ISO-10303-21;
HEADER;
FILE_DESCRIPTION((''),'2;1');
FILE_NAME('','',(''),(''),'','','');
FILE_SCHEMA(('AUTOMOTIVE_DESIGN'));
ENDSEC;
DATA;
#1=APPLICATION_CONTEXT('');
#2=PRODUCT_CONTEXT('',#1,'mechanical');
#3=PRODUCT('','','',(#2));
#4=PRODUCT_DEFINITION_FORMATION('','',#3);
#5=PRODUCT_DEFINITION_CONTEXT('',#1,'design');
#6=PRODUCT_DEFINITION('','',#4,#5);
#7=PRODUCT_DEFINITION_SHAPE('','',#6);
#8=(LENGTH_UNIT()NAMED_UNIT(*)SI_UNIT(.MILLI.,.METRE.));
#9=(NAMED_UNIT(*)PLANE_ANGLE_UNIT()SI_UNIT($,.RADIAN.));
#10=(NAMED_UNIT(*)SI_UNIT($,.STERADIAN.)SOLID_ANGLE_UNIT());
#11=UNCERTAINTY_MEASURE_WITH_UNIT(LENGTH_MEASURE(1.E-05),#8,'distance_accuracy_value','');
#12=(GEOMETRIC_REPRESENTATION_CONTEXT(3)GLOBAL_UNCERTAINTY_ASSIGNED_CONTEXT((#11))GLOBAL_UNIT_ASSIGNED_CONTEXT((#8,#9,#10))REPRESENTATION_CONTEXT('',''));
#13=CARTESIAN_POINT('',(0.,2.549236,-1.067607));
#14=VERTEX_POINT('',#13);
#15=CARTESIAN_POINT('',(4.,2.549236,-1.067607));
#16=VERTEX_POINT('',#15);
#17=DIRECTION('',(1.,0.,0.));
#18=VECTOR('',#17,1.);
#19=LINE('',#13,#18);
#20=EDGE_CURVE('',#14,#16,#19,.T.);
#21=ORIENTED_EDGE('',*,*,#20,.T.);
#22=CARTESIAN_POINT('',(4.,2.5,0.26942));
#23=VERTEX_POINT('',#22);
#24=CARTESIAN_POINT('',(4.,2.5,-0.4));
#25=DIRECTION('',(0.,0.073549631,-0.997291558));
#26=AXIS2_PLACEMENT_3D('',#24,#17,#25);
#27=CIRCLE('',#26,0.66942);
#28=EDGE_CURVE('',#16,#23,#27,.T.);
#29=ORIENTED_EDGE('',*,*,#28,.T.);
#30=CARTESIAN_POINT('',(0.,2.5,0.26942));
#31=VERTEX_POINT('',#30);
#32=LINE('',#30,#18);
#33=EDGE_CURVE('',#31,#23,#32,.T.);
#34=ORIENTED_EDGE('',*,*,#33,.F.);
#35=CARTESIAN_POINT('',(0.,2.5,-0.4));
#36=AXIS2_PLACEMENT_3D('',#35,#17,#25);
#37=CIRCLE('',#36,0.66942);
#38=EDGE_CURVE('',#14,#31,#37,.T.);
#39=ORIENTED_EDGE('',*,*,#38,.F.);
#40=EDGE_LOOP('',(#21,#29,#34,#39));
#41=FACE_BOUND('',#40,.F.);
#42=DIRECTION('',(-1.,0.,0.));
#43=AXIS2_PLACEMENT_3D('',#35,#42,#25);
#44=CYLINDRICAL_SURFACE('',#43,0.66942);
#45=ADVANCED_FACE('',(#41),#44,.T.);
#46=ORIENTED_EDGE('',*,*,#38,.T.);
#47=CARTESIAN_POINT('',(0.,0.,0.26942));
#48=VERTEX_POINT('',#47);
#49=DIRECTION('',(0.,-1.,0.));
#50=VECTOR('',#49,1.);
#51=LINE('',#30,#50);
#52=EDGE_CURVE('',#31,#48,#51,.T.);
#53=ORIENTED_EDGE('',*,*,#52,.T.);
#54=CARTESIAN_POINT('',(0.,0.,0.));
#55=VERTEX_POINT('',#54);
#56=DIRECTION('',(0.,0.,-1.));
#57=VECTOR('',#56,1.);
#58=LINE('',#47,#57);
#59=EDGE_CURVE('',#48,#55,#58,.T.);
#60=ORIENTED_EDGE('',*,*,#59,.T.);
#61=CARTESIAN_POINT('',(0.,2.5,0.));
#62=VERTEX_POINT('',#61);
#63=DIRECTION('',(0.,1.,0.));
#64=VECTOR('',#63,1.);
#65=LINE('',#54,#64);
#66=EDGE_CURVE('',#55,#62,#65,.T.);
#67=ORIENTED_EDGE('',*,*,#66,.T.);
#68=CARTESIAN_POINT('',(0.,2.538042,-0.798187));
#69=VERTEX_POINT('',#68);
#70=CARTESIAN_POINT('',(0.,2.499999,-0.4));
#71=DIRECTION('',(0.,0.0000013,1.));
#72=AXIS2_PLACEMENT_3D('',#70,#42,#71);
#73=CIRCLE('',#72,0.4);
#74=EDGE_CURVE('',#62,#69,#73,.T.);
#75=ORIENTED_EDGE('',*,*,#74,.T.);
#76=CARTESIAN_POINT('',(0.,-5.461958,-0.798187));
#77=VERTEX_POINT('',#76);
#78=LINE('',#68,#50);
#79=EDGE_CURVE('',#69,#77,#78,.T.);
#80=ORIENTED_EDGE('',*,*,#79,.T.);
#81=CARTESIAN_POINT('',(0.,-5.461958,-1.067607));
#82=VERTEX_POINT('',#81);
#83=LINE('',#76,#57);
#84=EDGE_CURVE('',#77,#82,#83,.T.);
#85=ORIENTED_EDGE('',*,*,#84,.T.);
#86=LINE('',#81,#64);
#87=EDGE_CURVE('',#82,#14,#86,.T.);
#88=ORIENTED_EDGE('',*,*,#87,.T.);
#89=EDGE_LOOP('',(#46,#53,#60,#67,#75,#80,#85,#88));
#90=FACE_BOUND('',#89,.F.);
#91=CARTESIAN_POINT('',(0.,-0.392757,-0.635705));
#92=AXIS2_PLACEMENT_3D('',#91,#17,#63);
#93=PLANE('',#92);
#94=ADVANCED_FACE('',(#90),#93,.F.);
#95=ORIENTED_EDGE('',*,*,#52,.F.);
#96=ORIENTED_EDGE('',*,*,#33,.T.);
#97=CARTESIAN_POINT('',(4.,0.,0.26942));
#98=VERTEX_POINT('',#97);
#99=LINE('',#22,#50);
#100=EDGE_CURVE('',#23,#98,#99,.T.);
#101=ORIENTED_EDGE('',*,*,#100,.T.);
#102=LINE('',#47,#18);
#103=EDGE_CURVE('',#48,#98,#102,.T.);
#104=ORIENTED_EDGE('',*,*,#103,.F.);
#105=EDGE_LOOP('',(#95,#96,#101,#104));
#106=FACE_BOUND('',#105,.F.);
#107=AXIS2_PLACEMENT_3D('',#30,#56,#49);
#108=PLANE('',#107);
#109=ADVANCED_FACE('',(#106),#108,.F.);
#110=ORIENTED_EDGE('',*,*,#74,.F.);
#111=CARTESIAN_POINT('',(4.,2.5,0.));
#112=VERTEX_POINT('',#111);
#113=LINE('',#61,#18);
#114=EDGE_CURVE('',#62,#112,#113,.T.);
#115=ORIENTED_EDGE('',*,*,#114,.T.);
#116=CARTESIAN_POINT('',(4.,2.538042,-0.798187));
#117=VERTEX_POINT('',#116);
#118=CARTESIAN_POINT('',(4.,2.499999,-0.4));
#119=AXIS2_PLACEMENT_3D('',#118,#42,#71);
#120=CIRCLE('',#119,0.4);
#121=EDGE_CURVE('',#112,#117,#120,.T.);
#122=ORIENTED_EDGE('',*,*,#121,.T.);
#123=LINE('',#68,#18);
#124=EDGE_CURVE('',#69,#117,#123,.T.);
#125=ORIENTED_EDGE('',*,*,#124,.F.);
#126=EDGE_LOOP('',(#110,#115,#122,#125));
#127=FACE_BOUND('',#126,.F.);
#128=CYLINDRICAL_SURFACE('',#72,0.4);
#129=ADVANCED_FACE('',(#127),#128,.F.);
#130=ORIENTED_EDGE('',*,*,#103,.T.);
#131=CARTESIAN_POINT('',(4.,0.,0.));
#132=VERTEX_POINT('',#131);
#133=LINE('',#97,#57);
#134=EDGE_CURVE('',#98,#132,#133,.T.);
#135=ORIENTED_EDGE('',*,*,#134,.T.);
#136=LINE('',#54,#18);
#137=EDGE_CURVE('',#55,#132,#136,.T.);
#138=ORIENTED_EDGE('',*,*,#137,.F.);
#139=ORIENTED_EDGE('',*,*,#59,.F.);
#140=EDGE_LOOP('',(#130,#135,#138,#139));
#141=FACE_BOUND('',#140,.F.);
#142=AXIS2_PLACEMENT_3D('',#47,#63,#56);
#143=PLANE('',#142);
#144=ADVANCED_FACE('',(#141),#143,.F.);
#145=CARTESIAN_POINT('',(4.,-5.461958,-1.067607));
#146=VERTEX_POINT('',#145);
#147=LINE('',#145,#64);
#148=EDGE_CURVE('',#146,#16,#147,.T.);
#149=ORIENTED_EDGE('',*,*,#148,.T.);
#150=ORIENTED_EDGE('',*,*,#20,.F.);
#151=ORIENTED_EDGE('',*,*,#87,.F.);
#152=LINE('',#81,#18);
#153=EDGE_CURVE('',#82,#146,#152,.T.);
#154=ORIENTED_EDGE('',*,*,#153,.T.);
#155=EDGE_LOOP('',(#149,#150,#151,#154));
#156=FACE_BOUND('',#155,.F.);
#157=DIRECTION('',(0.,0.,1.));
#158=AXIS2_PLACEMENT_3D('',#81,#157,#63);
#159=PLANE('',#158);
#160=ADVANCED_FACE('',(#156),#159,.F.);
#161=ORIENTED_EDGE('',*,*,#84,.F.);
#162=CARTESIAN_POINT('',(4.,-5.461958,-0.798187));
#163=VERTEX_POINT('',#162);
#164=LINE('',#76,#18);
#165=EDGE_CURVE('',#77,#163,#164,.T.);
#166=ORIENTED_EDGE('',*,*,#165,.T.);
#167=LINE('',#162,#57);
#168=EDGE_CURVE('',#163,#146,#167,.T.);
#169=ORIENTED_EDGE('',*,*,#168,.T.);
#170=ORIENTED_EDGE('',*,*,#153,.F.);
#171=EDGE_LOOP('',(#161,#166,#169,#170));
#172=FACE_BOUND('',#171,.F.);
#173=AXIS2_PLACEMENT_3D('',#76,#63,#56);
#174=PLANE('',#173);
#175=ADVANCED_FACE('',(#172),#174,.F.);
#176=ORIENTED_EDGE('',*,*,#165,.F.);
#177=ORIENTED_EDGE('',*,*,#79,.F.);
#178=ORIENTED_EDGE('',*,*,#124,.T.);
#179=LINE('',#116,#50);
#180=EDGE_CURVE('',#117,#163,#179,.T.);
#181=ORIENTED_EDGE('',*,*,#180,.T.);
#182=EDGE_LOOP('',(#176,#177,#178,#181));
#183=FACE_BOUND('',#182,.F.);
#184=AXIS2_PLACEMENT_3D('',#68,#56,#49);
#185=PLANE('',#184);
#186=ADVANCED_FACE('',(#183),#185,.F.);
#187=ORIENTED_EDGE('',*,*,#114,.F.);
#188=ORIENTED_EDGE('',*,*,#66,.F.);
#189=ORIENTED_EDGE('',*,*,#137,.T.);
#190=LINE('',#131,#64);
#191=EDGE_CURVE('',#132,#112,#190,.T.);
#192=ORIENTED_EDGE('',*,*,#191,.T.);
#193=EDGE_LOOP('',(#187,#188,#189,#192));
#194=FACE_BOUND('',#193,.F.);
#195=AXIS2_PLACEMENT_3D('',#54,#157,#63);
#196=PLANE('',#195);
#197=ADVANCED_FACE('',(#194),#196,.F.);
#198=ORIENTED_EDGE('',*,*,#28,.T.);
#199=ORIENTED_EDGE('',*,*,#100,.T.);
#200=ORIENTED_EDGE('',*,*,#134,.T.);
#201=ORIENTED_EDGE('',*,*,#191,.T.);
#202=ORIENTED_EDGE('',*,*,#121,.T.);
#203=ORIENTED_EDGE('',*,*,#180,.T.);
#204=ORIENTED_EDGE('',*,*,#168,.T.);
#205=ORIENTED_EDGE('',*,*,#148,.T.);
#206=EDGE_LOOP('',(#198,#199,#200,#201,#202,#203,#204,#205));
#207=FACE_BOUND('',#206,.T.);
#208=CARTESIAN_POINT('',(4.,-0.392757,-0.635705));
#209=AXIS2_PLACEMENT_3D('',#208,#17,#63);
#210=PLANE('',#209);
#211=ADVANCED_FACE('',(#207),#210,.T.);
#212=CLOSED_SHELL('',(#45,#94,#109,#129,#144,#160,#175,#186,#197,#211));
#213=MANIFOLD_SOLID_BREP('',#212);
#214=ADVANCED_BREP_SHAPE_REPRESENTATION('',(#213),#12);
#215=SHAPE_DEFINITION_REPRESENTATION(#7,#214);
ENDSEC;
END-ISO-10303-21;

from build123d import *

# Parameters (mm, degrees)
F1_DEPTH = 4


with BuildPart() as f1:
    # F0 (on Right) → F1 (new body)
    with BuildSketch(Plane.YZ):
        with BuildLine():
            Line((0, 0.26942), (0, 0))
            Line((0, 0), (2.5, 0))
            ThreePointArc((2.5, 0), (2.899546, -0.380957), (2.538042, -0.798187))
            Line((2.538042, -0.798187), (-5.461958, -0.798187))
            Line((-5.461958, -0.798187), (-5.461958, -1.067607))
            Line((-5.461958, -1.067607), (2.549236, -1.067607))
            ThreePointArc((2.549236, -1.067607), (3.168967, -0.375365), (2.5, 0.26942))
            Line((2.5, 0.26942), (0, 0.26942))
        make_face()
    extrude(amount=F1_DEPTH)


solid = f1.part
